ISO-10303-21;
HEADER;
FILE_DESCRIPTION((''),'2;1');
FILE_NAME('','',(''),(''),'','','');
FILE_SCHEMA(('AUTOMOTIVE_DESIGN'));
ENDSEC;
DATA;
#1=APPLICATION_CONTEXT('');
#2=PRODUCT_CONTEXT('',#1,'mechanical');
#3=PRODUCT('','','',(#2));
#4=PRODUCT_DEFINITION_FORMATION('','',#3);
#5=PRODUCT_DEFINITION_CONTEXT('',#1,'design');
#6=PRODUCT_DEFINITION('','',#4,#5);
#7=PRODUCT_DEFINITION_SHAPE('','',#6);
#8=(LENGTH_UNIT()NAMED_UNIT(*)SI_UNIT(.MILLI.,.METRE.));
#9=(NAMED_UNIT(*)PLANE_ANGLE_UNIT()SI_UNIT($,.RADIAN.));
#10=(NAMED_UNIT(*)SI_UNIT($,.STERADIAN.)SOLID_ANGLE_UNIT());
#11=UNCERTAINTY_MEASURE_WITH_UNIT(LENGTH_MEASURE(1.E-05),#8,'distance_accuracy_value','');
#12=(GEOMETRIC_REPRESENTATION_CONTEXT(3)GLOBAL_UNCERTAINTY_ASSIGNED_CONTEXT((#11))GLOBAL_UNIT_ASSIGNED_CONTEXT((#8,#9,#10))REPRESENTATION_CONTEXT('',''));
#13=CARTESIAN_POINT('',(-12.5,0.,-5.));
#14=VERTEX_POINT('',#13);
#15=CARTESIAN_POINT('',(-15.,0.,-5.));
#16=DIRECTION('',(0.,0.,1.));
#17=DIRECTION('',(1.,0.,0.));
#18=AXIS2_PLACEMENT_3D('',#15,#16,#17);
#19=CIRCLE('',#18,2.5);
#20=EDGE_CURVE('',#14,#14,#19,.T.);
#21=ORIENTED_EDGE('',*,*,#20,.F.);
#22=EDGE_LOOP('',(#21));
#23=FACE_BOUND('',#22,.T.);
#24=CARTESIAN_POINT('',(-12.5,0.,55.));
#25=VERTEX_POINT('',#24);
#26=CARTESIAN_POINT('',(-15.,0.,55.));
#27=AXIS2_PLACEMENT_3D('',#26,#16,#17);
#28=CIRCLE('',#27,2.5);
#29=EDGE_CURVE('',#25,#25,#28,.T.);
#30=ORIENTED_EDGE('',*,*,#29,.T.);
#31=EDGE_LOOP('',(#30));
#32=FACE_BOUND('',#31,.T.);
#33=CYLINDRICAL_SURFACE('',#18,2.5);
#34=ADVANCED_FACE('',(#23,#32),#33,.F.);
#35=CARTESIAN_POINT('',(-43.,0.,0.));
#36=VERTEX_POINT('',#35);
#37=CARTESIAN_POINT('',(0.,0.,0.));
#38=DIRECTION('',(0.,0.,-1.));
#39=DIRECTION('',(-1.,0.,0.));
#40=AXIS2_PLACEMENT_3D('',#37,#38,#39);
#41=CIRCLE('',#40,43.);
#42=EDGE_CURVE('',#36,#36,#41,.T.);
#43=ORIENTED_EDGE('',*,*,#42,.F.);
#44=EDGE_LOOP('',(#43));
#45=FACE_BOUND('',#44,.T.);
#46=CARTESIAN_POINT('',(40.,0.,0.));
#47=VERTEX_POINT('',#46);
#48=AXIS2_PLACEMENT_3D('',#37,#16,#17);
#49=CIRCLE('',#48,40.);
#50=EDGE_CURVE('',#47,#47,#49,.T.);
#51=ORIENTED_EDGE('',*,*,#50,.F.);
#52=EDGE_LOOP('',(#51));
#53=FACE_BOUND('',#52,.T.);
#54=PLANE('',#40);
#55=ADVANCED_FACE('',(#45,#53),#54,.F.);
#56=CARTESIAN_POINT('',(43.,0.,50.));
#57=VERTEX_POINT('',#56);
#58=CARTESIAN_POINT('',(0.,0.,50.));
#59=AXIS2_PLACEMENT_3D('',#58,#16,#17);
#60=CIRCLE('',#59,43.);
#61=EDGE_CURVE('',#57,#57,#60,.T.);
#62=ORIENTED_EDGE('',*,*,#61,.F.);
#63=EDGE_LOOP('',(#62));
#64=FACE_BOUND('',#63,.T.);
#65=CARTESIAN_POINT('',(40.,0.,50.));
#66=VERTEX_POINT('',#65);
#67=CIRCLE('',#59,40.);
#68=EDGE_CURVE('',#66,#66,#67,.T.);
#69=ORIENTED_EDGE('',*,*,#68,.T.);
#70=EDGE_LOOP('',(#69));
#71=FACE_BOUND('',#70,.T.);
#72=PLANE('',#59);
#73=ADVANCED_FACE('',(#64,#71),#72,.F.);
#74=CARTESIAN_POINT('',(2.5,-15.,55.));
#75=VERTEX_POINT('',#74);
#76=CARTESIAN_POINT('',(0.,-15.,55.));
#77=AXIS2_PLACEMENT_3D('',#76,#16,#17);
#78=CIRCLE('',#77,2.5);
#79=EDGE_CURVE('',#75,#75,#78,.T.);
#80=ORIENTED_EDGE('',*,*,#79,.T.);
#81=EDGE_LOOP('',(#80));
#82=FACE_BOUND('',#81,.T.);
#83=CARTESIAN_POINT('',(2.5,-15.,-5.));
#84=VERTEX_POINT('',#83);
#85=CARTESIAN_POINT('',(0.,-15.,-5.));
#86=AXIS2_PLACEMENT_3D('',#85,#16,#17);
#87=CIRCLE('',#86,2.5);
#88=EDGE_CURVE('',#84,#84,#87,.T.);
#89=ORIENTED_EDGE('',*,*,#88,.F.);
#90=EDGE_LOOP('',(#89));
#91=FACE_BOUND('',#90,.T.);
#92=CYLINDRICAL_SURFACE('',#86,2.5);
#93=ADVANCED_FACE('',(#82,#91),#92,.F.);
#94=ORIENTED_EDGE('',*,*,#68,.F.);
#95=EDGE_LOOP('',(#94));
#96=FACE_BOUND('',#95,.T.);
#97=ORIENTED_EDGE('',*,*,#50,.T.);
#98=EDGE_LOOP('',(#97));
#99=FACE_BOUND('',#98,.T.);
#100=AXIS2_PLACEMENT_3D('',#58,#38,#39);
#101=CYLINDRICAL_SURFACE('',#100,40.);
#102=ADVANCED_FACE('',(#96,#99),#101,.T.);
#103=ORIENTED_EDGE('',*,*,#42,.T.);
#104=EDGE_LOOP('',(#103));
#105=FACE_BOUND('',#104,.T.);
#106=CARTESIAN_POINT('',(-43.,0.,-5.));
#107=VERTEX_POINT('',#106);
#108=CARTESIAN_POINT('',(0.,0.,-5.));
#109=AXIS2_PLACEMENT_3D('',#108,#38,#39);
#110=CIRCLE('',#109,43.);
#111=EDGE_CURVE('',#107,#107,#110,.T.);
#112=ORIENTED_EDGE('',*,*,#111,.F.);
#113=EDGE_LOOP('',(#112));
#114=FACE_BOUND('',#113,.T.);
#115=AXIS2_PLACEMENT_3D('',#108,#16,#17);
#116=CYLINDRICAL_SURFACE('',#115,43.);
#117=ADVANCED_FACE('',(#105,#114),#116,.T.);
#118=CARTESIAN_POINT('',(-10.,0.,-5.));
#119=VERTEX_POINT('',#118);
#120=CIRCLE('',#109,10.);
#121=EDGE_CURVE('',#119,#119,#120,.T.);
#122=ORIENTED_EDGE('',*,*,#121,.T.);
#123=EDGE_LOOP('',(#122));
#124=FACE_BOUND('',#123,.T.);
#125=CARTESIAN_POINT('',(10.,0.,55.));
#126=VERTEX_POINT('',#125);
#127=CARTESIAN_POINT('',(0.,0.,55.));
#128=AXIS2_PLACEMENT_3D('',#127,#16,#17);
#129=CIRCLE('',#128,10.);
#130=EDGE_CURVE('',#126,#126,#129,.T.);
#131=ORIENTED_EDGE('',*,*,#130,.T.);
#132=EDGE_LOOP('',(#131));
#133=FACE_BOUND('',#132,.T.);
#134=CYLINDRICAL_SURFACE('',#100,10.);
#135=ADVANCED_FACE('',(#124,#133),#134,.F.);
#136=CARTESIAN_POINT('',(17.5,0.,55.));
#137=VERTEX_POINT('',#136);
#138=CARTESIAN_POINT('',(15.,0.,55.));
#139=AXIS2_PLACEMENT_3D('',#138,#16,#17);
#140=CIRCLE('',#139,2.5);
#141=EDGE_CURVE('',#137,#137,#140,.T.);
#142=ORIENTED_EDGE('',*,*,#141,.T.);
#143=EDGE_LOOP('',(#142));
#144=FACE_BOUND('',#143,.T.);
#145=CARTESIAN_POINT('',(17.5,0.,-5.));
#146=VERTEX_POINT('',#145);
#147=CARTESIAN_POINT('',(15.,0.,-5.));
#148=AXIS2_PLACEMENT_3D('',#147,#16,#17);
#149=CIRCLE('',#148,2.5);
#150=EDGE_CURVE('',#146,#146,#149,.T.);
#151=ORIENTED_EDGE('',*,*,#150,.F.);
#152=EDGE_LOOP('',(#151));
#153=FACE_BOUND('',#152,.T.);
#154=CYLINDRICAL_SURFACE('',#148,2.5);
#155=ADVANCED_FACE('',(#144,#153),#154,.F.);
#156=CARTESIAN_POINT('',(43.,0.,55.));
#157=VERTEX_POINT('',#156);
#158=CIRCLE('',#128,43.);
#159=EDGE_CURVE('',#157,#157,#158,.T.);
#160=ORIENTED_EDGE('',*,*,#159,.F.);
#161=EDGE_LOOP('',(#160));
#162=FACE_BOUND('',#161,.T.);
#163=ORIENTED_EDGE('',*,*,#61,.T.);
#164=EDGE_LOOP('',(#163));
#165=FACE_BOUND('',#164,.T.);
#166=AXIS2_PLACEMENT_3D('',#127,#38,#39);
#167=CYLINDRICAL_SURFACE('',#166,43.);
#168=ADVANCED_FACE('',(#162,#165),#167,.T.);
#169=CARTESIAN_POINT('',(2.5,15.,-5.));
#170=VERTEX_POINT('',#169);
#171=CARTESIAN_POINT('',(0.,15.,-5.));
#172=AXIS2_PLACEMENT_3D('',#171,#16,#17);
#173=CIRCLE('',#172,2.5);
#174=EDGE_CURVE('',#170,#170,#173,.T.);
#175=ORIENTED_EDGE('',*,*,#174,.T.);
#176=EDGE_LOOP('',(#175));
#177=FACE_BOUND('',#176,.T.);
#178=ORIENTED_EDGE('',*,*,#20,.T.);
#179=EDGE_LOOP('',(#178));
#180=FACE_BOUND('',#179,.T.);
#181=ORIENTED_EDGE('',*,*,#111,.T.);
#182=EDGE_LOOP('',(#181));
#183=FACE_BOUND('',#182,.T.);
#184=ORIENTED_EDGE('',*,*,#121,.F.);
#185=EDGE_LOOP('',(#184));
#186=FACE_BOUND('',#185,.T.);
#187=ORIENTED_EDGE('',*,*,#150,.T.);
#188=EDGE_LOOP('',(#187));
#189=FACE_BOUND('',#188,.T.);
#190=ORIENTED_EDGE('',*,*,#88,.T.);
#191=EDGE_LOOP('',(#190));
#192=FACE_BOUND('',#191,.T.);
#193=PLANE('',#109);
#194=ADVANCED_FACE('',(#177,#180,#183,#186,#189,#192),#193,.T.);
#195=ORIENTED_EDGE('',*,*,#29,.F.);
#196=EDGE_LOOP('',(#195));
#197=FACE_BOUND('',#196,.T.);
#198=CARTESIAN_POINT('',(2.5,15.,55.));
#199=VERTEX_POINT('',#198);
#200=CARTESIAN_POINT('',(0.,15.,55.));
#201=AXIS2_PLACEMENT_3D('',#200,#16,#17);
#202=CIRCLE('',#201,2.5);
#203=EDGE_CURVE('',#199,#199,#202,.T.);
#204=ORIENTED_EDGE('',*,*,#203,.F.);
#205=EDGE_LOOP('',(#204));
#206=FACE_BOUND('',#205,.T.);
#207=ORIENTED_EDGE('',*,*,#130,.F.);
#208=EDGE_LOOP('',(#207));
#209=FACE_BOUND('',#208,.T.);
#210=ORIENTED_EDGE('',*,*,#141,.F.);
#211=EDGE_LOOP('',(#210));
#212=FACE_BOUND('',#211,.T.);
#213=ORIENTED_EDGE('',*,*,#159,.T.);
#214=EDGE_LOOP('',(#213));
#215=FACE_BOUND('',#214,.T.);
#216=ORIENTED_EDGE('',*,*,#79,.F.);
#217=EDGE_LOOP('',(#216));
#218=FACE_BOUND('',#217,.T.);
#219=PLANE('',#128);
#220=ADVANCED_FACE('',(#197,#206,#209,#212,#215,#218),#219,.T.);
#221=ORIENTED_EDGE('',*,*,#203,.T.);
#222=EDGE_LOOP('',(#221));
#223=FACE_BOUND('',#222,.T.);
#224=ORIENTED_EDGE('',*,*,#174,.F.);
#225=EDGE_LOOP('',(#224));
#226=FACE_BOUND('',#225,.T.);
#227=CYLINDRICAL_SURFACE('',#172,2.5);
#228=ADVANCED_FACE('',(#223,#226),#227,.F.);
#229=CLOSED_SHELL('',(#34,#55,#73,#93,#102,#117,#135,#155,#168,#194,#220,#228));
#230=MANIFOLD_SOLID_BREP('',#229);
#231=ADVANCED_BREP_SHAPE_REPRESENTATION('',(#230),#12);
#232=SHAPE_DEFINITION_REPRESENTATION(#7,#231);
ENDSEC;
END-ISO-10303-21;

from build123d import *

# Parameters (mm, degrees)
SKETCH1_R           = 40
SKETCH1_R_2         = 10
BOSS_EXTRUDE1_DEPTH = 50
SKETCH2_R           = 43
SKETCH2_R_2         = 10
BOSS_EXTRUDE2_DEPTH = 5
SKETCH3_R           = 43
SKETCH3_R_2         = 10
BOSS_EXTRUDE3_DEPTH = 5
SKETCH4_R           = 2.5
CUT_EXTRUDE1_DEPTH  = 61


with BuildPart() as part:
    # Sketch1 → Boss-Extrude1 (new body)
    with BuildSketch(Plane.XY):
        Circle(SKETCH1_R)
        Circle(SKETCH1_R_2, mode=Mode.SUBTRACT)
    extrude(amount=BOSS_EXTRUDE1_DEPTH)

    # Sketch2 → Boss-Extrude2 (add)
    with BuildSketch(Plane.XY.offset(50)):
        Circle(SKETCH2_R)
        Circle(SKETCH2_R_2, mode=Mode.SUBTRACT)
    extrude(amount=BOSS_EXTRUDE2_DEPTH)

    # Sketch3 → Boss-Extrude3 (add)
    with BuildSketch(Plane(origin=(0, 0, 0), x_dir=(-1, 0, 0), z_dir=(0, 0, -1))):
        Circle(SKETCH3_R)
        Circle(SKETCH3_R_2, mode=Mode.SUBTRACT)
    extrude(amount=BOSS_EXTRUDE3_DEPTH)

    # Sketch4 → Cut-Extrude1 (cut, through all)
    with BuildSketch(Plane.XY.offset(55)):
        with Locations((0, 15)):
            Circle(SKETCH4_R)
        with Locations((15, 0)):
            Circle(SKETCH4_R)
        with Locations((0, -15)):
            Circle(SKETCH4_R)
        with Locations((-15, 0)):
            Circle(SKETCH4_R)
    extrude(amount=-CUT_EXTRUDE1_DEPTH, mode=Mode.SUBTRACT)


solid = part.part
